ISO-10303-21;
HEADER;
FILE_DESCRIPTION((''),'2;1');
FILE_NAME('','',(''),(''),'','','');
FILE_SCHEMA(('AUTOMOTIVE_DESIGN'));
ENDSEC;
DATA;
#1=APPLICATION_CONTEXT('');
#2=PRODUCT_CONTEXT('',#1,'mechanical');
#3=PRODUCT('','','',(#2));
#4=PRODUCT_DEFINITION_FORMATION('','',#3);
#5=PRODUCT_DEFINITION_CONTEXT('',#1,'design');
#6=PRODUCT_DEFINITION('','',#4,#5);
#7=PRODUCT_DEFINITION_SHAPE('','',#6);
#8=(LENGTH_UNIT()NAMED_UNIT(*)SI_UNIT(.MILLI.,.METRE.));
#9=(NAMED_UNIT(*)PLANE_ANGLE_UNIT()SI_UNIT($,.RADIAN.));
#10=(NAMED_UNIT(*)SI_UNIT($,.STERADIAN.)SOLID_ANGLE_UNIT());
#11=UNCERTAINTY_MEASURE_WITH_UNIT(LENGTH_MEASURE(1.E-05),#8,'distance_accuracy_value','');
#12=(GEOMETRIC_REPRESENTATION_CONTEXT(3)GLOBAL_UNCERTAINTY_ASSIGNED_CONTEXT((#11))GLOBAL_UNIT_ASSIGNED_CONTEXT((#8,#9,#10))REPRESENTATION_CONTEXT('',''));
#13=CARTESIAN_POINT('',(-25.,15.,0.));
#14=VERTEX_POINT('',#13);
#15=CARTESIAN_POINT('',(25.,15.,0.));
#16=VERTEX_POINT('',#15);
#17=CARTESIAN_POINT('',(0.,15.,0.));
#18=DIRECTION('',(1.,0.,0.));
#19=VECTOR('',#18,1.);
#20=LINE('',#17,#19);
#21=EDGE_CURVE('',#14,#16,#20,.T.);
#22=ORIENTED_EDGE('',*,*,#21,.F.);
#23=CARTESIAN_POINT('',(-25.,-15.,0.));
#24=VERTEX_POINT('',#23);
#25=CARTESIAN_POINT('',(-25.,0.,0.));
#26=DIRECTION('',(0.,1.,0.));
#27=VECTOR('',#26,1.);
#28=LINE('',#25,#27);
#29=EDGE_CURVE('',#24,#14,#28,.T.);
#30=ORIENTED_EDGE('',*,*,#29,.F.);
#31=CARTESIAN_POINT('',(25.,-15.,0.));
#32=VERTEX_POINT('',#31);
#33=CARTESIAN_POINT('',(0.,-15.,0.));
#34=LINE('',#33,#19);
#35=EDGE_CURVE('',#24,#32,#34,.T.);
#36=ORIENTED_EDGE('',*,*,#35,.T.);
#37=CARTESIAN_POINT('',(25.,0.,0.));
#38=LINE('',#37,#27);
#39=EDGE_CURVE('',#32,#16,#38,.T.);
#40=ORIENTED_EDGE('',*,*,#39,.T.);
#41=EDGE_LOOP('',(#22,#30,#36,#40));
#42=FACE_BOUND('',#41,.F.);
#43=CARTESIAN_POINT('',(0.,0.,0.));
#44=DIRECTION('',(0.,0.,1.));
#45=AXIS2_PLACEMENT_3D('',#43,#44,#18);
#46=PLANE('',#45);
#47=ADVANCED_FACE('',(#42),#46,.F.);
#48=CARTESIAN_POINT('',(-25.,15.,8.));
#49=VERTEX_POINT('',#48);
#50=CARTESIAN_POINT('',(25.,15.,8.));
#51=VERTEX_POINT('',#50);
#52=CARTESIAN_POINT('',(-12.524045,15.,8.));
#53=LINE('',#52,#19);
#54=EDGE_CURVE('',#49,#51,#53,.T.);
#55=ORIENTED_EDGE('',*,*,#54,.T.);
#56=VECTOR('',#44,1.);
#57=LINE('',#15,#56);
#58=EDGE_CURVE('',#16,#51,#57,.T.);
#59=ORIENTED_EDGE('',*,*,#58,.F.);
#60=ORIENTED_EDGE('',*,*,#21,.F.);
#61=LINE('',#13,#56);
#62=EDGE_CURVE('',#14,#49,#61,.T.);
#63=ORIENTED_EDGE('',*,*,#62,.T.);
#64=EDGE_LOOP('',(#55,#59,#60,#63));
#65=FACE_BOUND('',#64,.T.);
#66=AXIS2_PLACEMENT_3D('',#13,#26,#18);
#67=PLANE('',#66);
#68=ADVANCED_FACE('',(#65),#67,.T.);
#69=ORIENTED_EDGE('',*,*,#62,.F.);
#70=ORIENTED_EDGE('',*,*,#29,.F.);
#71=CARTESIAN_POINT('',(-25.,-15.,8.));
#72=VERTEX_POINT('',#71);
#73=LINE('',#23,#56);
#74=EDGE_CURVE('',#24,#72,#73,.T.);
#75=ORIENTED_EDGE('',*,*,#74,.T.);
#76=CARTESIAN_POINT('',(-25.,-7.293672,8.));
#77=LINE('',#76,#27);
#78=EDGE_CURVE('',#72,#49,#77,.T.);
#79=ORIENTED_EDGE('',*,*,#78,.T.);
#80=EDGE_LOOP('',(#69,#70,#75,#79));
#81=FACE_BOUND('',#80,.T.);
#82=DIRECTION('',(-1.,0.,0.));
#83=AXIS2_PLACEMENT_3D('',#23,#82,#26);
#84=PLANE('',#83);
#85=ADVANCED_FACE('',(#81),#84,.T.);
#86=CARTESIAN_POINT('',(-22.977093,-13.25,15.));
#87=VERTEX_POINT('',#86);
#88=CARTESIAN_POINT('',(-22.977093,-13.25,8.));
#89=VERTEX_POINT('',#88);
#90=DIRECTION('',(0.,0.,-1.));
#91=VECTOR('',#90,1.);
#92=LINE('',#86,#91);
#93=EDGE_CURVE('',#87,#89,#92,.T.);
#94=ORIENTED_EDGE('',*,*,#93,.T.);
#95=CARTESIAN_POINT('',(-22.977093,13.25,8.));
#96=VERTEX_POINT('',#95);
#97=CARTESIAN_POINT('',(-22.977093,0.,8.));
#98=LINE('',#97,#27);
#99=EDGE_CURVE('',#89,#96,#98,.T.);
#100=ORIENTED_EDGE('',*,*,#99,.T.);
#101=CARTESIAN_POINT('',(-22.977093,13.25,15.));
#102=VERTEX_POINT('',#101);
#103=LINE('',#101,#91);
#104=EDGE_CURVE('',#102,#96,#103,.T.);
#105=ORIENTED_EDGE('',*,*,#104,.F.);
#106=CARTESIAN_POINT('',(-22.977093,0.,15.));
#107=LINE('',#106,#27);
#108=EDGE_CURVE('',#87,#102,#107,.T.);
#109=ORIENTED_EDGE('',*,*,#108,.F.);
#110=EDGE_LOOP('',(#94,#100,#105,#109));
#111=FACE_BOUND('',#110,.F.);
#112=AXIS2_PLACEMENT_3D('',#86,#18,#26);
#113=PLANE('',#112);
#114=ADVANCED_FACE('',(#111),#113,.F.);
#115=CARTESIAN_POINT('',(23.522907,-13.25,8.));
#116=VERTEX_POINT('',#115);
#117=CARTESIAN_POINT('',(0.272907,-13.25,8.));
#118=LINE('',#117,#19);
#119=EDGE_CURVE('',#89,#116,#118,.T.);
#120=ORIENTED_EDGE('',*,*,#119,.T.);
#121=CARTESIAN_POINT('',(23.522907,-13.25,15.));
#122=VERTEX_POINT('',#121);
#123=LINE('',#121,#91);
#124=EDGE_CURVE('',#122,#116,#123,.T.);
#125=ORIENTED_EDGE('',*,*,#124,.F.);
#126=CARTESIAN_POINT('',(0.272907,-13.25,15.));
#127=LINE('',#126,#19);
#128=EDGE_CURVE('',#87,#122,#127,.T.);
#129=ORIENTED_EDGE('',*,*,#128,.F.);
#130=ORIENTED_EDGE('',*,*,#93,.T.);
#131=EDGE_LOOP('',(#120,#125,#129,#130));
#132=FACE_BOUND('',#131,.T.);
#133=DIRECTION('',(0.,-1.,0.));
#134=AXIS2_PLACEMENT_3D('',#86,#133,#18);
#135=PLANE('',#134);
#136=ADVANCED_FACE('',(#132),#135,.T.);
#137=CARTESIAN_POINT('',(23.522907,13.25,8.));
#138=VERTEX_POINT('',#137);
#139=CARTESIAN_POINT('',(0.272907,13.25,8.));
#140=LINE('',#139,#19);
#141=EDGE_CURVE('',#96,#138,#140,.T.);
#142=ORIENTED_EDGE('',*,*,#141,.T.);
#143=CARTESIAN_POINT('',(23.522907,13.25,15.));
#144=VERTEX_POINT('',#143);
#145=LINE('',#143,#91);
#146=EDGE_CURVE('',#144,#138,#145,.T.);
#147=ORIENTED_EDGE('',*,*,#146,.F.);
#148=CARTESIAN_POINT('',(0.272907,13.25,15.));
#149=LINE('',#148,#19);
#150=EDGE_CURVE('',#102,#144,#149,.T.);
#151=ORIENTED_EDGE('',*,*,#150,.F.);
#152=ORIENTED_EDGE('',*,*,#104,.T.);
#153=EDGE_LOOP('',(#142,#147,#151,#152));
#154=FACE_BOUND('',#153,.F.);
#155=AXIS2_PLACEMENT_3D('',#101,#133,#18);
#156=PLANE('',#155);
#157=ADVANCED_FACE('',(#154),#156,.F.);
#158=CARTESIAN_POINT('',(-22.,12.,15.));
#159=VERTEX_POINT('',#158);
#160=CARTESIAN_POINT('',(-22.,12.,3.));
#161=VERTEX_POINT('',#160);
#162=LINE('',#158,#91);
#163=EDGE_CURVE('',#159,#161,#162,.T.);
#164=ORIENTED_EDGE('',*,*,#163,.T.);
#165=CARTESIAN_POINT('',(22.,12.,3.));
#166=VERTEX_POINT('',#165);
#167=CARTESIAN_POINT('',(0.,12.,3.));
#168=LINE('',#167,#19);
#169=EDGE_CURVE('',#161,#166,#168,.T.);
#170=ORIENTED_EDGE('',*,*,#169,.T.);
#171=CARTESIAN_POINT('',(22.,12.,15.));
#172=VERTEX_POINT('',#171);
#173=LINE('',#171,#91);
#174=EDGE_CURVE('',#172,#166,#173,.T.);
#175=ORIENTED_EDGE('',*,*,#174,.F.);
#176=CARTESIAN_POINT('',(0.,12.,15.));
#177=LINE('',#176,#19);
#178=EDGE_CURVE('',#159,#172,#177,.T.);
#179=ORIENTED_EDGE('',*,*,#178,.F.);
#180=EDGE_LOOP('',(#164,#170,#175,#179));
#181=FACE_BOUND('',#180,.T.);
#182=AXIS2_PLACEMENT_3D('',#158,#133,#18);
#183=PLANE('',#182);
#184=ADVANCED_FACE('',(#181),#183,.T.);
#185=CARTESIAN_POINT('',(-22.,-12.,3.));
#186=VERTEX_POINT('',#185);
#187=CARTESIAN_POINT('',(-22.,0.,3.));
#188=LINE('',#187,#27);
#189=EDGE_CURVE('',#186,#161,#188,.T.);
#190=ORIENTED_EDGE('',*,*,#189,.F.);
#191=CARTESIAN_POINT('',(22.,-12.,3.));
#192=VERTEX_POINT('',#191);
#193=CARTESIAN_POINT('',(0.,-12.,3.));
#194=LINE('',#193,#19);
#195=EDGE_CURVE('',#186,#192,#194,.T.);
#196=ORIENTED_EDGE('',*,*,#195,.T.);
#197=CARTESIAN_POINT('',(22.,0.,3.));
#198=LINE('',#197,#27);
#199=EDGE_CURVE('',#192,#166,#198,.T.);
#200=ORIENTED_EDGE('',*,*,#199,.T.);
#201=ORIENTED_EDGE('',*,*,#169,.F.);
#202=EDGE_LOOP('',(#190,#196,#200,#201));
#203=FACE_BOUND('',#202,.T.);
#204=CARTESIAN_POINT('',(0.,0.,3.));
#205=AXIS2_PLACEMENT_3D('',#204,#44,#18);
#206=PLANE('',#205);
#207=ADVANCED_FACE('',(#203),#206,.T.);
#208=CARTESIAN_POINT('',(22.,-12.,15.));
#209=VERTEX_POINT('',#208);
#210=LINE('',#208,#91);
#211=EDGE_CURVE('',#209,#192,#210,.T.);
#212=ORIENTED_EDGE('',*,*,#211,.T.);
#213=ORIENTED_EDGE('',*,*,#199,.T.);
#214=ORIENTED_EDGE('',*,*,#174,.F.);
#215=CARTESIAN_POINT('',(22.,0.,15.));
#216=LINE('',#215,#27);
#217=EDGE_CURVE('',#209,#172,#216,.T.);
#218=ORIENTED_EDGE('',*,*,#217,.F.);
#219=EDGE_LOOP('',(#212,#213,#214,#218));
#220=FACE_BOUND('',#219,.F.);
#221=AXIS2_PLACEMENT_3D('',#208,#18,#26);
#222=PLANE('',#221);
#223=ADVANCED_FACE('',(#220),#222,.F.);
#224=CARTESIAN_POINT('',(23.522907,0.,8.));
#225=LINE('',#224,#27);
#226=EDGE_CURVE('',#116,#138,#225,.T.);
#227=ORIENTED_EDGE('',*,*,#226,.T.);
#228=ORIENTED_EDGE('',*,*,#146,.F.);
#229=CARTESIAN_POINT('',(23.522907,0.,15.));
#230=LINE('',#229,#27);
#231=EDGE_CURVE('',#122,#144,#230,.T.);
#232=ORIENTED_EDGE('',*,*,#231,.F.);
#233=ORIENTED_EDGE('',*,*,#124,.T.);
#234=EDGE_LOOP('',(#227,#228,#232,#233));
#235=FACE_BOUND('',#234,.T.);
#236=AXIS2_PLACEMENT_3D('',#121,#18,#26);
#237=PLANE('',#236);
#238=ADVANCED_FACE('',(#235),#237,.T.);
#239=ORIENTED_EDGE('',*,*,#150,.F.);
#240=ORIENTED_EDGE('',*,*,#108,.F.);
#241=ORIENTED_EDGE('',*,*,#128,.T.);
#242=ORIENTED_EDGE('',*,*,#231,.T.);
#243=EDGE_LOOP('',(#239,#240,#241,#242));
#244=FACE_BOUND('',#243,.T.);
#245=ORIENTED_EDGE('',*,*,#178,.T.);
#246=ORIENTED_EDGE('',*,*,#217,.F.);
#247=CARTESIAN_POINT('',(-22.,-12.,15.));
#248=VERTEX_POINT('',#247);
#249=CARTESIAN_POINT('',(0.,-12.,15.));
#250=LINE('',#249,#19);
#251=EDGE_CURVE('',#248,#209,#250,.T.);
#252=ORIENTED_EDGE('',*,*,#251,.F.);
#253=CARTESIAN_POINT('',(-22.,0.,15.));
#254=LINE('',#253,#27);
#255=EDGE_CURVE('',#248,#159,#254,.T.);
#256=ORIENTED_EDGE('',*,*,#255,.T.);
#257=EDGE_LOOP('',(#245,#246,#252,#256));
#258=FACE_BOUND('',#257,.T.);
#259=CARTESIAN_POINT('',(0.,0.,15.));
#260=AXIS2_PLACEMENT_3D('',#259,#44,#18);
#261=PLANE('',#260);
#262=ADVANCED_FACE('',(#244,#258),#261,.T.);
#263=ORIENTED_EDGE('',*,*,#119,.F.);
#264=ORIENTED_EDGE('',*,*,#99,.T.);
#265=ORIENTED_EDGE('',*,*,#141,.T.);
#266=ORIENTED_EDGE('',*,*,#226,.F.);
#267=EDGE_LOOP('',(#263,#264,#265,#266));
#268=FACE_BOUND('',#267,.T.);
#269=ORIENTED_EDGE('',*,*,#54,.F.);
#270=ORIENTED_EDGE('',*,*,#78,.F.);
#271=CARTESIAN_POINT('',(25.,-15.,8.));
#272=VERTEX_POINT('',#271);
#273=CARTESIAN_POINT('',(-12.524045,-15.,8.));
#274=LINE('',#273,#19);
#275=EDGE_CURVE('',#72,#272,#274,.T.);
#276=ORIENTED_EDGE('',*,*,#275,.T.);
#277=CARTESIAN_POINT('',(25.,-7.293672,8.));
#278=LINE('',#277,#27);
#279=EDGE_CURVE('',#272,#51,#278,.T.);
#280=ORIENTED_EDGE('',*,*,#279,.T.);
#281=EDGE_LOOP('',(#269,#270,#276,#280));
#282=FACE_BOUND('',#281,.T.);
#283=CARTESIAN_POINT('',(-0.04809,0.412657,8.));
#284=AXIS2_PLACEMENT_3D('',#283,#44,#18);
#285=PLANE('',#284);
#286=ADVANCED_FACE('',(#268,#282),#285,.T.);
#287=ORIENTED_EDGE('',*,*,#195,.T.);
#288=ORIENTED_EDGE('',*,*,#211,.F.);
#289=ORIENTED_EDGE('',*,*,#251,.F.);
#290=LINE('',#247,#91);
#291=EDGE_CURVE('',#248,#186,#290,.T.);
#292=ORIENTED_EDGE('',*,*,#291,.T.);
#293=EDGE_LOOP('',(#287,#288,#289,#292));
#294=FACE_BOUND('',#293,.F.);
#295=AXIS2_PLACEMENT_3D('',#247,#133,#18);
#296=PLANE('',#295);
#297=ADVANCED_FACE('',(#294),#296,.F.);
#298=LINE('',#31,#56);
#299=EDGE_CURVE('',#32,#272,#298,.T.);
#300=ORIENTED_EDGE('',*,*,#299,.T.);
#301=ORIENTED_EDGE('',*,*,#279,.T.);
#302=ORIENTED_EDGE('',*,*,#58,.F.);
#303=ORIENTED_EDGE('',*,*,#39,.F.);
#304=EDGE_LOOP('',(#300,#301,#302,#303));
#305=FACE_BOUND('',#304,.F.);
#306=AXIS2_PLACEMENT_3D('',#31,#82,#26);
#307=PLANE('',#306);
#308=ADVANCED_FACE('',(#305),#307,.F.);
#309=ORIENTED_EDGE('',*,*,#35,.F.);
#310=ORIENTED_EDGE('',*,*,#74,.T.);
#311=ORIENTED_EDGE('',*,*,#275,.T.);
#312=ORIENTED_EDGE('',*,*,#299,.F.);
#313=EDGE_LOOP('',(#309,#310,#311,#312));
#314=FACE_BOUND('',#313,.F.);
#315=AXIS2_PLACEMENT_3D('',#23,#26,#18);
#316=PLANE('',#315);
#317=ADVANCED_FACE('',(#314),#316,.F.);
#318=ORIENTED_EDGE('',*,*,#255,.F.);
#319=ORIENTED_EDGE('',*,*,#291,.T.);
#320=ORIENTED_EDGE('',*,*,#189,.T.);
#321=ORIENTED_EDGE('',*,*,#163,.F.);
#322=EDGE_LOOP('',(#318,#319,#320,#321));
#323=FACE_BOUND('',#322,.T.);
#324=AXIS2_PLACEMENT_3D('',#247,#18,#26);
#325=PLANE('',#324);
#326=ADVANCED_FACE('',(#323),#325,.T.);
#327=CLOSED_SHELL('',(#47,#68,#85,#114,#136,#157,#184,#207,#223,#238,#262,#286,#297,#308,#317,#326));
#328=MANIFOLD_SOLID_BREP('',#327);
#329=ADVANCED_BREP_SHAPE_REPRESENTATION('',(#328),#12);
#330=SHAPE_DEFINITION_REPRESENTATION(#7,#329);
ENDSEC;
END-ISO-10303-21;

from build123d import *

# Parameters (mm, degrees)
SKETCH_W        = 50
SKETCH_H        = 30
PAD_DEPTH       = 15
SKETCH002_W     = 44
SKETCH002_H     = 24
POCKET_DEPTH    = 12
SKETCH003_W     = 52.437362
SKETCH003_H     = 33.156771
SKETCH003_W_2   = 46.5
SKETCH003_H_2   = 26.5
POCKET001_DEPTH = 7


with BuildPart() as part:
    # Sketch → Pad (new body)
    with BuildSketch(Plane.XY):
        Rectangle(SKETCH_W, SKETCH_H)
    extrude(amount=PAD_DEPTH)

    # Sketch002 (on Face6 of Pad) → Pocket (cut)
    with BuildSketch(Plane.XY.offset(15)):
        Rectangle(SKETCH002_W, SKETCH002_H)
    extrude(amount=-POCKET_DEPTH, mode=Mode.SUBTRACT)

    # Sketch003 (on Face5 of Pocket) → Pocket001 (cut)
    with BuildSketch(Plane.XY.offset(15)):
        with Locations((-0.04809, 0.412657)):
            Rectangle(SKETCH003_W, SKETCH003_H)
        with Locations((0.272907, 0)):
            Rectangle(SKETCH003_W_2, SKETCH003_H_2, mode=Mode.SUBTRACT)
    extrude(amount=-POCKET001_DEPTH, mode=Mode.SUBTRACT)


solid = part.part
